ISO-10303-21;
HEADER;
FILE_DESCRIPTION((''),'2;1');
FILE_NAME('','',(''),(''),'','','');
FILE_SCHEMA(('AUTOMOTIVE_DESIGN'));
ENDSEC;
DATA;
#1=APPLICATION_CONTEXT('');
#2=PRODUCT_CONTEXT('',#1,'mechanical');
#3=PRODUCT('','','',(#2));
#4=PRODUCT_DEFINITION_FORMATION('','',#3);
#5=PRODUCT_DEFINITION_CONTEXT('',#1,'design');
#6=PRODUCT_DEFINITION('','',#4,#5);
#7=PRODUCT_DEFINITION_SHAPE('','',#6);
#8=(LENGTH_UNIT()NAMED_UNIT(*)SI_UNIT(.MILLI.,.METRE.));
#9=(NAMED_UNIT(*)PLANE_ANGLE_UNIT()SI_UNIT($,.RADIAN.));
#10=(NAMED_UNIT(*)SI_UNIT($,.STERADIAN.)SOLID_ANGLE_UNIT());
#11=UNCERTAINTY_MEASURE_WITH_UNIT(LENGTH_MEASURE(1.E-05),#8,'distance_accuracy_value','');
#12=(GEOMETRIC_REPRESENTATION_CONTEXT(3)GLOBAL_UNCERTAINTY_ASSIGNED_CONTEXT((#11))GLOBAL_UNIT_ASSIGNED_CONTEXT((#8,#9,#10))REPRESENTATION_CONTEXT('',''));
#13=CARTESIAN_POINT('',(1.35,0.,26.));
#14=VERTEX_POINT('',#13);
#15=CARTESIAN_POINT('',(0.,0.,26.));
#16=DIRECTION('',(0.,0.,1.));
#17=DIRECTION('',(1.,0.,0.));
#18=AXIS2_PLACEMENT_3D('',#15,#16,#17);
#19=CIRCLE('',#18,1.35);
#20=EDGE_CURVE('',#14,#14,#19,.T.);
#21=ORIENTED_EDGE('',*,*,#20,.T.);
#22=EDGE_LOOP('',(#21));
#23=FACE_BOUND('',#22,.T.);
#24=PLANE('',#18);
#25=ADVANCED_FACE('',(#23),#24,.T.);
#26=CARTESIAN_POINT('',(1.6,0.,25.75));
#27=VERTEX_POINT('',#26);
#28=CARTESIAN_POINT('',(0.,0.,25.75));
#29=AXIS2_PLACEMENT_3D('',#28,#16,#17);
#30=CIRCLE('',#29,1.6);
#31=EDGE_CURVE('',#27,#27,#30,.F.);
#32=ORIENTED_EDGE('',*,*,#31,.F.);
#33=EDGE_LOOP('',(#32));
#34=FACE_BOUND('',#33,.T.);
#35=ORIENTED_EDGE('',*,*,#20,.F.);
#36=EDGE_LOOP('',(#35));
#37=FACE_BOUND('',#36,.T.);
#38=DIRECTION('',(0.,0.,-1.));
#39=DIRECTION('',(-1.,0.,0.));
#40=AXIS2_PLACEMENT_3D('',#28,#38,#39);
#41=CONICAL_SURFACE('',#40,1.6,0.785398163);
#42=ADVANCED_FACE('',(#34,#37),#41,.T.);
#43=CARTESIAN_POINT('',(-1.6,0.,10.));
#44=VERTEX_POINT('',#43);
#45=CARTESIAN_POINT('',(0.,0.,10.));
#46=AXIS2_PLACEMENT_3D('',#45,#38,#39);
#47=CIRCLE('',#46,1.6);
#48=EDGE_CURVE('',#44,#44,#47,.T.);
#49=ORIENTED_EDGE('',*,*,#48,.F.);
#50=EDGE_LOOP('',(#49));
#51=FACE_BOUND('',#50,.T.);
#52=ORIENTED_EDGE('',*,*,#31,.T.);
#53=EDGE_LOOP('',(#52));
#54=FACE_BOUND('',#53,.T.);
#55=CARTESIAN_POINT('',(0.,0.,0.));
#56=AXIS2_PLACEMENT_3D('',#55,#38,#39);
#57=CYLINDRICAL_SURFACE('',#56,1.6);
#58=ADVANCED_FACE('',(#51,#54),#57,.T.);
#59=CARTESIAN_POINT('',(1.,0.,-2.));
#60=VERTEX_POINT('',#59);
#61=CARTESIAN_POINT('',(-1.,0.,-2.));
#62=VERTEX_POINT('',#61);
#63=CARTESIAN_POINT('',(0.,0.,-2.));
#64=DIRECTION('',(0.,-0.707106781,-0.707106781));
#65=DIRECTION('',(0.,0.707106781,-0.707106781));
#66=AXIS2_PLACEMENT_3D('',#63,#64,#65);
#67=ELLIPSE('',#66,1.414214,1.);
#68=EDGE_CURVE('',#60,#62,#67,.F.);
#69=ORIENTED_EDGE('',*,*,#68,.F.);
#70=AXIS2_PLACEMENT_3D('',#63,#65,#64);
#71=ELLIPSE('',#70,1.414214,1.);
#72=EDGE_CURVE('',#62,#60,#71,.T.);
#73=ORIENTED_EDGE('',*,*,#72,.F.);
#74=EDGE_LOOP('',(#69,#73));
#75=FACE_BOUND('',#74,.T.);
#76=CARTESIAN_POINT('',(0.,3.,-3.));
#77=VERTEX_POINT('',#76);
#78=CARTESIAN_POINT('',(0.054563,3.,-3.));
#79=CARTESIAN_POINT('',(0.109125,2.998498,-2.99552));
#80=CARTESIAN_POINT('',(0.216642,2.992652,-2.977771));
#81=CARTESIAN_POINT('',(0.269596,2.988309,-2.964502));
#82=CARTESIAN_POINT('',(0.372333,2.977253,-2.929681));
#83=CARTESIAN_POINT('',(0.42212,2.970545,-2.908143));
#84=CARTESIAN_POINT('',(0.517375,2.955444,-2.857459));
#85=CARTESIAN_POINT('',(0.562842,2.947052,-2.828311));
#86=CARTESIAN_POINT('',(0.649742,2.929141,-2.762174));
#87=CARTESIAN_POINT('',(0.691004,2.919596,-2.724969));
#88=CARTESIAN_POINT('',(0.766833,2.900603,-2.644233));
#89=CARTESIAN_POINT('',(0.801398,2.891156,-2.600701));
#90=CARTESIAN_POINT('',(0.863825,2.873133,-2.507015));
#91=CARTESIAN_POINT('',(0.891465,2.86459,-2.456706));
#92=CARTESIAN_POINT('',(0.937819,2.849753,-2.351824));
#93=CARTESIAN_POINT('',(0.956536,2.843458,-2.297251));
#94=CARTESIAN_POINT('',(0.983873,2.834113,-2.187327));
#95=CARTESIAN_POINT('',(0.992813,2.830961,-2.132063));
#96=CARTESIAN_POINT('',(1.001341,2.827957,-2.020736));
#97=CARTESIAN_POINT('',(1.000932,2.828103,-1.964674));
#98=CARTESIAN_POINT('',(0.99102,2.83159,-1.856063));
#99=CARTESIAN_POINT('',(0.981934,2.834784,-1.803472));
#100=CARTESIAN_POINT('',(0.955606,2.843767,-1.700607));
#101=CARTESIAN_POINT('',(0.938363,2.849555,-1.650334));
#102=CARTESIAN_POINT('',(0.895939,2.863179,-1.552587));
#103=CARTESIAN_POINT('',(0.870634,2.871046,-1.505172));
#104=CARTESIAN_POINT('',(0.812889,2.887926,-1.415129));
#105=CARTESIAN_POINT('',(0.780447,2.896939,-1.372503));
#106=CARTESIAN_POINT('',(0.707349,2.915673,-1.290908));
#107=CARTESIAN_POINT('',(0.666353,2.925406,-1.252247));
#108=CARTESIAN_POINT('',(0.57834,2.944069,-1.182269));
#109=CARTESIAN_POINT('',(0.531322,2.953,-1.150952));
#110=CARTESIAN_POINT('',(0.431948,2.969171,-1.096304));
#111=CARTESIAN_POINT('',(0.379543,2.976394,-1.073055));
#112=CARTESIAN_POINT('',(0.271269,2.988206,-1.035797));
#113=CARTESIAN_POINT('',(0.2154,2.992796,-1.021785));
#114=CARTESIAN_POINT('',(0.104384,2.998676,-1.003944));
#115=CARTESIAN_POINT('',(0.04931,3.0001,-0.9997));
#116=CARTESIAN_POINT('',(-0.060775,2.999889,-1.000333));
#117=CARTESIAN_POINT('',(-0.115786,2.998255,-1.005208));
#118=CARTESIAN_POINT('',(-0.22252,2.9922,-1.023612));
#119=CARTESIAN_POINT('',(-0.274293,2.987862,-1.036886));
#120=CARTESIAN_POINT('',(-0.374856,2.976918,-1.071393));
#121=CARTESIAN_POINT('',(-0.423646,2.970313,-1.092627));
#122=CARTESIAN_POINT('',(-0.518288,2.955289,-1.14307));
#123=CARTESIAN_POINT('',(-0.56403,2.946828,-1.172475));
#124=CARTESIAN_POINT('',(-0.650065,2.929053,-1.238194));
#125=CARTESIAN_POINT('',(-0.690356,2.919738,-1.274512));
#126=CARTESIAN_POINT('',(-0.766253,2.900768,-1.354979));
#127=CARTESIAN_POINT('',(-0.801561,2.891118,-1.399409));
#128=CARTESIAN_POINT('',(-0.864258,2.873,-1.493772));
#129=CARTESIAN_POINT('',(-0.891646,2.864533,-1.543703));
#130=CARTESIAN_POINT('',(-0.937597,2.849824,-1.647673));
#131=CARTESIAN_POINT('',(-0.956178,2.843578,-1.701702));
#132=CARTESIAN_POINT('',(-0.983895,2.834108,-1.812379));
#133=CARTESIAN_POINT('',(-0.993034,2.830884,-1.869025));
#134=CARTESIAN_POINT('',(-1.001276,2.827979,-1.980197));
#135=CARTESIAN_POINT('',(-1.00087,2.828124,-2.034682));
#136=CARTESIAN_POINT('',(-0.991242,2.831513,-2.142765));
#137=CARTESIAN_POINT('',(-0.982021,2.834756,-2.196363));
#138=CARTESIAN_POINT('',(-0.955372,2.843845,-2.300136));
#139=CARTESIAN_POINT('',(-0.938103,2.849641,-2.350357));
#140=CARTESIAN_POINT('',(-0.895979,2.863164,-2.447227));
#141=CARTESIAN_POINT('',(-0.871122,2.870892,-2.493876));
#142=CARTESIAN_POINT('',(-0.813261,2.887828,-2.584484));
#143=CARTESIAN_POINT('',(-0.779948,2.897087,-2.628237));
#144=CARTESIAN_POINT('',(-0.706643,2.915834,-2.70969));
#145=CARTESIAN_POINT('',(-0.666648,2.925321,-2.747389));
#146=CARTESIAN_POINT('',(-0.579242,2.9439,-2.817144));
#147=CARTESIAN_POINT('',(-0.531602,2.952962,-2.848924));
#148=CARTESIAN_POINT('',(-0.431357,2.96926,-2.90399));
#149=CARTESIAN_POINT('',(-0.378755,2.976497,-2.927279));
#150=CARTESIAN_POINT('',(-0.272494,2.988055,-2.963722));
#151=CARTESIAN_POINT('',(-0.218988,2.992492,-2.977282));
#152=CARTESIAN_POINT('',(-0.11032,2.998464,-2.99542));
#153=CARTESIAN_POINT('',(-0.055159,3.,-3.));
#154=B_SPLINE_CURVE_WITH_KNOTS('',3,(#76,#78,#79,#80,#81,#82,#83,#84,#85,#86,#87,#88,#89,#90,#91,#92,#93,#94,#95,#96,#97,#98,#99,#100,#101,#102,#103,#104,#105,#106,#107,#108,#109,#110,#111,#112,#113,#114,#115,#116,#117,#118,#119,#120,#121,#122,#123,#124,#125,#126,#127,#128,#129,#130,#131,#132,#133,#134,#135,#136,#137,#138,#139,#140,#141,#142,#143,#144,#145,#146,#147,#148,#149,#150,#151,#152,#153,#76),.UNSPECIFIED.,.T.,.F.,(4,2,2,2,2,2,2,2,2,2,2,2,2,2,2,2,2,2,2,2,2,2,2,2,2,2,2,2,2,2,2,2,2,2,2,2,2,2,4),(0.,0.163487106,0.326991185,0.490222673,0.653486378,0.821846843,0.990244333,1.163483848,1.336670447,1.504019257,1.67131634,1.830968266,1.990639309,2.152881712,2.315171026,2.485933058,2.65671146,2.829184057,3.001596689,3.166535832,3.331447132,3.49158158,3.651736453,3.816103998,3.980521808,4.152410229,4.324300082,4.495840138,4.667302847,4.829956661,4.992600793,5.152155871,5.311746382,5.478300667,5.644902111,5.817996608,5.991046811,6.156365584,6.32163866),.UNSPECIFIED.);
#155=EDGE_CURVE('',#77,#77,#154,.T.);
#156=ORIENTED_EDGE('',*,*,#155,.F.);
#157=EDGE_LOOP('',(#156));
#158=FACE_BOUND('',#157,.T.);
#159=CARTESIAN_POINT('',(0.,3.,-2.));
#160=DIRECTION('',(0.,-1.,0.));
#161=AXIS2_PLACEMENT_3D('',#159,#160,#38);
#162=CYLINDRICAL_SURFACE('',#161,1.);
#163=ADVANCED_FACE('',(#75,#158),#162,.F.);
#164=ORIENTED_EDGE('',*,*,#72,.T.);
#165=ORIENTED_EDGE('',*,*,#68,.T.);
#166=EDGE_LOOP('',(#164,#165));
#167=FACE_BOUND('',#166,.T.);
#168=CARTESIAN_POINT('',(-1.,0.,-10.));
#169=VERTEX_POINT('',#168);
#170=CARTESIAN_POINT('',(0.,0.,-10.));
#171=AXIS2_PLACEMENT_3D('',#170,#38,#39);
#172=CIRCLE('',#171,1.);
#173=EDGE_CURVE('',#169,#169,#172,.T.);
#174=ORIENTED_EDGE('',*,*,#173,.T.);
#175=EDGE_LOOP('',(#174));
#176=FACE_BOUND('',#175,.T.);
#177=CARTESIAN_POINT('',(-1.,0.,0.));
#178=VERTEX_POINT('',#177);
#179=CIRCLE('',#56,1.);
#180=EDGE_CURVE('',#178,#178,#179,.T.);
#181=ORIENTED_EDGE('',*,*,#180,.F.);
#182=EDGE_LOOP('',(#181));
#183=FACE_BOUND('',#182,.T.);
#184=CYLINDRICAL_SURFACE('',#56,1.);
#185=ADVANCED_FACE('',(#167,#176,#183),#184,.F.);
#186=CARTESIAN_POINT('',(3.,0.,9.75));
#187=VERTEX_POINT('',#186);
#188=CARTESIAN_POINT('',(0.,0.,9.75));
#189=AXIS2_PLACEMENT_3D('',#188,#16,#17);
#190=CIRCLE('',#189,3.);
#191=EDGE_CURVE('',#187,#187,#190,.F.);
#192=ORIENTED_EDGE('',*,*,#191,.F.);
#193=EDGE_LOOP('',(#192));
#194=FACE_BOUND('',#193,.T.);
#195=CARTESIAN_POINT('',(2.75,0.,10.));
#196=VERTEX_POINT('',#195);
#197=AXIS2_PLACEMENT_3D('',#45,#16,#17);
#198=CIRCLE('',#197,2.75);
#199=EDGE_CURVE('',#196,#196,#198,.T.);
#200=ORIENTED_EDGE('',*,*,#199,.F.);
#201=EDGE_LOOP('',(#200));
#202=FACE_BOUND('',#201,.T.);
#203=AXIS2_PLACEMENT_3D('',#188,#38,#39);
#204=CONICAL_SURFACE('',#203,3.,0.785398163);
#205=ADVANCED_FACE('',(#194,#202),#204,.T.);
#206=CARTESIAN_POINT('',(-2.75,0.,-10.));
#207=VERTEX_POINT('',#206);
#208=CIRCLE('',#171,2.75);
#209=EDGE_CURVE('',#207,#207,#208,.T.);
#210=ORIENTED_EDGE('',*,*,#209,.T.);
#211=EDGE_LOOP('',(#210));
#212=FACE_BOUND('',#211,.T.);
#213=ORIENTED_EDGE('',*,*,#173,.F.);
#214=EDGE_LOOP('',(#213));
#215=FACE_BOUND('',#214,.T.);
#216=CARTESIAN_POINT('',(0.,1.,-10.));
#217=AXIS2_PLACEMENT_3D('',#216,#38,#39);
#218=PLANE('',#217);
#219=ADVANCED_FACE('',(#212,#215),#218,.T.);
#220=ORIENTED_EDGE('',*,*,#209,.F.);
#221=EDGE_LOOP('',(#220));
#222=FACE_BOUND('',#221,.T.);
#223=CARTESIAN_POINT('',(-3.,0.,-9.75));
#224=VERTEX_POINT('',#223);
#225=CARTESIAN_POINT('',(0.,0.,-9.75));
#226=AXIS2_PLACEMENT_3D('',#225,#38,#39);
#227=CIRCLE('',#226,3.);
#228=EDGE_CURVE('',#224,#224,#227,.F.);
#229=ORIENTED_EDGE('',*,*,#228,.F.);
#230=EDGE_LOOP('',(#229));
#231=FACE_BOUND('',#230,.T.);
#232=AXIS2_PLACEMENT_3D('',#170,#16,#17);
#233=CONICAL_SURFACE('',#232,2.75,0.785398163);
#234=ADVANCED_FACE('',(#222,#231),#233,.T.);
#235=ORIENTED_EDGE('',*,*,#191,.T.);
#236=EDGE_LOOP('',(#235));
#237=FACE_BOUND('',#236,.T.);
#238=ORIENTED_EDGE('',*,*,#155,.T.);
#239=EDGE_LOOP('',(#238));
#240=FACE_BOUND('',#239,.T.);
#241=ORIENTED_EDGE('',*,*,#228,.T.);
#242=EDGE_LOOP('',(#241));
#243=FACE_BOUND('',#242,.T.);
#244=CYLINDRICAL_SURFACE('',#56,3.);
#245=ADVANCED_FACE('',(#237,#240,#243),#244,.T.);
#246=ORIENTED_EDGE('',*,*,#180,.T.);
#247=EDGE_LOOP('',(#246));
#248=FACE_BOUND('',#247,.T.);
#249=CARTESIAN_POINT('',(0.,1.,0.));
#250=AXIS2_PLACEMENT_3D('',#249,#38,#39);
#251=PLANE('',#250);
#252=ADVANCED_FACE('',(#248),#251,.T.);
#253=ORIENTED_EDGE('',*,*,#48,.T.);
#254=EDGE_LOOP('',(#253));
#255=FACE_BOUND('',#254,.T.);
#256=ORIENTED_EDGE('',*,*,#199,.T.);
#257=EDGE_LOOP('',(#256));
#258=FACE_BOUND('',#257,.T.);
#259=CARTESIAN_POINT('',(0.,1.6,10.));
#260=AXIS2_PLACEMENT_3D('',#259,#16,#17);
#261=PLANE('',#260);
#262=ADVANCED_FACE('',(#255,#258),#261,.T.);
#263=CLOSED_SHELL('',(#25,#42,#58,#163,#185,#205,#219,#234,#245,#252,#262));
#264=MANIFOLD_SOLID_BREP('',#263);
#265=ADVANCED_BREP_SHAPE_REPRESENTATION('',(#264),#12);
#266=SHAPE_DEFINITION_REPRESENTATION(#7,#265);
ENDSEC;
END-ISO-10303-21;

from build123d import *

# Parameters (mm, degrees)
SKIZZE2_R                       = 1
SCHNITT_LINEAR_AUSTRAGEN1_DEPTH = 4
FASE1_SIZE                      = 0.25


with BuildPart() as part:
    # Skizze1 → Rotation1 (revolve)
    with BuildSketch(Plane(origin=(0, 0, 0), x_dir=(0, 0, -1), z_dir=(1, 0, 0))):
        Polygon((0, 1), (10, 1), (10, 3), (-10, 3), (-10, 1.6), (-26, 1.6), (-26, 0), (0, 0), align=None)
    revolve(axis=Axis((0, 0, 0), (0, 0, 1)))

    # Skizze2 → Schnitt-Linear austragen1 (cut, through all)
    with BuildSketch(Plane(origin=(0, 0, 0), x_dir=(1, 0, 0), z_dir=(0, 1, 0))):
        with Locations((0, 2)):
            Circle(SKIZZE2_R)
    extrude(amount=SCHNITT_LINEAR_AUSTRAGEN1_DEPTH, mode=Mode.SUBTRACT)

    # Fase1
    fase1_edges = [part.edges().sort_by_distance(p)[0] for p in [
        (0, -3, -10),
        (0, -3, 10),
        (0, -1.6, 26),
    ]]
    chamfer(fase1_edges, length=FASE1_SIZE)


solid = part.part
